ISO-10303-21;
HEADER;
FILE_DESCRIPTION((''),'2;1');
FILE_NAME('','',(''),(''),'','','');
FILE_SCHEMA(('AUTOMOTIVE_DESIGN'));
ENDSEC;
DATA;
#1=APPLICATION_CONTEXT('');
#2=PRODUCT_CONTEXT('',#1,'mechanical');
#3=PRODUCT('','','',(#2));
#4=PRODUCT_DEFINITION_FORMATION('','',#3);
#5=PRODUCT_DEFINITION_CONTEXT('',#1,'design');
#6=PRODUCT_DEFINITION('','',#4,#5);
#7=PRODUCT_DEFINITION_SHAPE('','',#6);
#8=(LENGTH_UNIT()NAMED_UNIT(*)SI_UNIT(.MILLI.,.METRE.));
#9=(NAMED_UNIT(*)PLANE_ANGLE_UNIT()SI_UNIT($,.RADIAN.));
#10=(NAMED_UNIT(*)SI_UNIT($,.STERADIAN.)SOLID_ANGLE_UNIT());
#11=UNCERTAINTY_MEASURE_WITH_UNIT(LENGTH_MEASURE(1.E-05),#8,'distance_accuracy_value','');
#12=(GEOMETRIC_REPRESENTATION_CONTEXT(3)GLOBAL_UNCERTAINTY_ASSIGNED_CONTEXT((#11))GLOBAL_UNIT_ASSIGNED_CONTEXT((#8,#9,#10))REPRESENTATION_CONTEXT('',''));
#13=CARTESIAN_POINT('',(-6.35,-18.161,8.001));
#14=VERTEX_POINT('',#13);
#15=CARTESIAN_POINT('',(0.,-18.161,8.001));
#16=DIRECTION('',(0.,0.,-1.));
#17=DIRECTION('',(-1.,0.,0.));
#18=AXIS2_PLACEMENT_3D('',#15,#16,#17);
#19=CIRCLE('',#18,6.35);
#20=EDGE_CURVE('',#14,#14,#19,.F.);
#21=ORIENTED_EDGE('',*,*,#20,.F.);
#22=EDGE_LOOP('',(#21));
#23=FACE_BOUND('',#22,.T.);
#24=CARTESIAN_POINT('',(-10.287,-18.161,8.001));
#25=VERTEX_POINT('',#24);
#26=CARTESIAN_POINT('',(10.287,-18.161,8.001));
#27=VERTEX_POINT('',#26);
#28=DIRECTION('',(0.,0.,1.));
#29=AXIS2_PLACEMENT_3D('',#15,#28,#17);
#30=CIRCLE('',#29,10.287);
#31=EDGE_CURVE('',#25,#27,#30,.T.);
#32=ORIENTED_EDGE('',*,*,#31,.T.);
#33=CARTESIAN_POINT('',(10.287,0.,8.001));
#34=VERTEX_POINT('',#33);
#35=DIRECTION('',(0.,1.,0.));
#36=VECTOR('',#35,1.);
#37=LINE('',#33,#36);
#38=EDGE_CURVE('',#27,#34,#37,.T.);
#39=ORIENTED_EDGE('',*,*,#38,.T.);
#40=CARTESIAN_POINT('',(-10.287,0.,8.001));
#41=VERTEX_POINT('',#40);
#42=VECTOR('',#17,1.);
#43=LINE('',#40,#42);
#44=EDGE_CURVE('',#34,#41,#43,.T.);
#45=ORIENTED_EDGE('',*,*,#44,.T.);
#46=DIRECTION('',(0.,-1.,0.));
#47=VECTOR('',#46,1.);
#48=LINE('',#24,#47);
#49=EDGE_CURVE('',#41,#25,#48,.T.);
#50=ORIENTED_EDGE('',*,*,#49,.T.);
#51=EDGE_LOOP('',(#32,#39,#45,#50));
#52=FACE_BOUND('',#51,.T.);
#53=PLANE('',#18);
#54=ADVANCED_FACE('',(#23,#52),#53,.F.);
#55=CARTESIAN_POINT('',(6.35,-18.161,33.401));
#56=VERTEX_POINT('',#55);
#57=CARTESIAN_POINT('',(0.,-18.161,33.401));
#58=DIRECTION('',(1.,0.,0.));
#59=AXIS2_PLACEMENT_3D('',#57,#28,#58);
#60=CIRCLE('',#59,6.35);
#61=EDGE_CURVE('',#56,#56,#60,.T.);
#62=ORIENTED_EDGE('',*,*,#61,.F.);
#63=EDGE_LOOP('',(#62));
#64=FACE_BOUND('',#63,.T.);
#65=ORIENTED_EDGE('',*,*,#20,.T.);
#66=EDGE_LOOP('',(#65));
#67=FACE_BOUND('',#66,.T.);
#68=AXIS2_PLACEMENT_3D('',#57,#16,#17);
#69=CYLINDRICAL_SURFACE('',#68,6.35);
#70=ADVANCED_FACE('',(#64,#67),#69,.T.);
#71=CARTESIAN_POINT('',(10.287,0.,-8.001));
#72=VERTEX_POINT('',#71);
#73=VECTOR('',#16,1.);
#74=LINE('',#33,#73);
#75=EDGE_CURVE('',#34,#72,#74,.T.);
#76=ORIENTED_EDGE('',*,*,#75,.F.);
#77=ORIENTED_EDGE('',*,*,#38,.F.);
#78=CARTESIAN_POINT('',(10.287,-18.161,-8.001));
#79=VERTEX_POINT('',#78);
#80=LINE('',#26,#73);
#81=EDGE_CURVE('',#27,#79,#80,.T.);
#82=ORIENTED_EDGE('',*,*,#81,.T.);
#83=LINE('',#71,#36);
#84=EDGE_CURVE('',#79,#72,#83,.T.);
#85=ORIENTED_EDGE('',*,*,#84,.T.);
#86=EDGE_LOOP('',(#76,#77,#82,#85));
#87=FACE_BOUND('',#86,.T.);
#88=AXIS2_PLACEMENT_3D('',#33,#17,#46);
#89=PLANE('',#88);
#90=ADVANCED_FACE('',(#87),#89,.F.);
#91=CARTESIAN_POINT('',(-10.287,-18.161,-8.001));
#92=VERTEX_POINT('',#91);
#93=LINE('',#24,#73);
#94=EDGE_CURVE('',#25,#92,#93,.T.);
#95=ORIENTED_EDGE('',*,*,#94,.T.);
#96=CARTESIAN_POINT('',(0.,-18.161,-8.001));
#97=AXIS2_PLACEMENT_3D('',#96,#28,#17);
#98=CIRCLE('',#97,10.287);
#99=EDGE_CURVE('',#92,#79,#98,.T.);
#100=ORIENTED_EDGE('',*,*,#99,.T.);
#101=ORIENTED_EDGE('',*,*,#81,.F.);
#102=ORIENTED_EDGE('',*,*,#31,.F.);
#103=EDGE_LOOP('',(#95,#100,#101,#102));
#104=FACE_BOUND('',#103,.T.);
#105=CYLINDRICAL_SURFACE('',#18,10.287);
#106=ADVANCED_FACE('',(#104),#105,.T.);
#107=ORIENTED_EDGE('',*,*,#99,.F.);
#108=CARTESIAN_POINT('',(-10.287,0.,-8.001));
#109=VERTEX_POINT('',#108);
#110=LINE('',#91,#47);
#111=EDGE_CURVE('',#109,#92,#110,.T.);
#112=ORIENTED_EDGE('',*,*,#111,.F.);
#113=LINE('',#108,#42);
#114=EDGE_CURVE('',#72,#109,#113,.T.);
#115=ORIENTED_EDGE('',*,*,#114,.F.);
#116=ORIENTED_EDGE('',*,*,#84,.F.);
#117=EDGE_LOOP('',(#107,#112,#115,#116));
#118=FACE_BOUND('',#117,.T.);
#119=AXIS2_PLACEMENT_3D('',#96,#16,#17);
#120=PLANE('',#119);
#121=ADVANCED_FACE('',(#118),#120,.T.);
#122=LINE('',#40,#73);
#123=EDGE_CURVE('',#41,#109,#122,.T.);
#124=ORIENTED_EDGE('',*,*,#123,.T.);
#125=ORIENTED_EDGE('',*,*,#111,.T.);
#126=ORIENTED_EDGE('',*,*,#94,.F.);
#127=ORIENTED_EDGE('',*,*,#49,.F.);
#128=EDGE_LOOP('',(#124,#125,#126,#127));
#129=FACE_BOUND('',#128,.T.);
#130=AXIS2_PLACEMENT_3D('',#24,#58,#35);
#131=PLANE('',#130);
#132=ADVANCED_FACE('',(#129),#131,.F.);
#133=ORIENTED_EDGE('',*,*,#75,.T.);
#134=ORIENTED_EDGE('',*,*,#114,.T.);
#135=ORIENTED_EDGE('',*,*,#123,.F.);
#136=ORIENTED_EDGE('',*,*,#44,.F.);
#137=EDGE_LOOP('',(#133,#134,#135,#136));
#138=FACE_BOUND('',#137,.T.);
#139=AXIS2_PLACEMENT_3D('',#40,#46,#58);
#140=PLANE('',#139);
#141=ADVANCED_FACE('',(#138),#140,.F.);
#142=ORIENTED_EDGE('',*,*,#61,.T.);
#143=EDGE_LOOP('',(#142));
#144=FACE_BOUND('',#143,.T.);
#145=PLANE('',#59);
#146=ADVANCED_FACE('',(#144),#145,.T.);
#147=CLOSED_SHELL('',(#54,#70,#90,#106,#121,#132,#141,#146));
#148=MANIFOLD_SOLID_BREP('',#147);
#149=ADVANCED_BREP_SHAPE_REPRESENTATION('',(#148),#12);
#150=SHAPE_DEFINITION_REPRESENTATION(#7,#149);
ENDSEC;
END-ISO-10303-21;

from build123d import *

# Parameters (mm, degrees)
BOSS_EXTRUDE1_DEPTH = 8.001
SKETCH2_R           = 6.35
BOSS_EXTRUDE2_DEPTH = 25.4


with BuildPart() as part:
    # Sketch1 → Boss-Extrude1 (new, symmetric)
    with BuildSketch(Plane.XY):
        with BuildLine():
            Line((-10.287, 0), (10.287, 0))
            Line((10.287, 0), (10.287, -18.161))
            ThreePointArc((10.287, -18.161), (0, -28.448), (-10.287, -18.161))
            Line((-10.287, -18.161), (-10.287, 0))
        make_face()
    extrude(amount=BOSS_EXTRUDE1_DEPTH, both=True)

    # Sketch2 → Boss-Extrude2 (add)
    with BuildSketch(Plane.XY.offset(8.001)):
        with Locations((0, -18.161)):
            Circle(SKETCH2_R)
    extrude(amount=BOSS_EXTRUDE2_DEPTH)


solid = part.part
